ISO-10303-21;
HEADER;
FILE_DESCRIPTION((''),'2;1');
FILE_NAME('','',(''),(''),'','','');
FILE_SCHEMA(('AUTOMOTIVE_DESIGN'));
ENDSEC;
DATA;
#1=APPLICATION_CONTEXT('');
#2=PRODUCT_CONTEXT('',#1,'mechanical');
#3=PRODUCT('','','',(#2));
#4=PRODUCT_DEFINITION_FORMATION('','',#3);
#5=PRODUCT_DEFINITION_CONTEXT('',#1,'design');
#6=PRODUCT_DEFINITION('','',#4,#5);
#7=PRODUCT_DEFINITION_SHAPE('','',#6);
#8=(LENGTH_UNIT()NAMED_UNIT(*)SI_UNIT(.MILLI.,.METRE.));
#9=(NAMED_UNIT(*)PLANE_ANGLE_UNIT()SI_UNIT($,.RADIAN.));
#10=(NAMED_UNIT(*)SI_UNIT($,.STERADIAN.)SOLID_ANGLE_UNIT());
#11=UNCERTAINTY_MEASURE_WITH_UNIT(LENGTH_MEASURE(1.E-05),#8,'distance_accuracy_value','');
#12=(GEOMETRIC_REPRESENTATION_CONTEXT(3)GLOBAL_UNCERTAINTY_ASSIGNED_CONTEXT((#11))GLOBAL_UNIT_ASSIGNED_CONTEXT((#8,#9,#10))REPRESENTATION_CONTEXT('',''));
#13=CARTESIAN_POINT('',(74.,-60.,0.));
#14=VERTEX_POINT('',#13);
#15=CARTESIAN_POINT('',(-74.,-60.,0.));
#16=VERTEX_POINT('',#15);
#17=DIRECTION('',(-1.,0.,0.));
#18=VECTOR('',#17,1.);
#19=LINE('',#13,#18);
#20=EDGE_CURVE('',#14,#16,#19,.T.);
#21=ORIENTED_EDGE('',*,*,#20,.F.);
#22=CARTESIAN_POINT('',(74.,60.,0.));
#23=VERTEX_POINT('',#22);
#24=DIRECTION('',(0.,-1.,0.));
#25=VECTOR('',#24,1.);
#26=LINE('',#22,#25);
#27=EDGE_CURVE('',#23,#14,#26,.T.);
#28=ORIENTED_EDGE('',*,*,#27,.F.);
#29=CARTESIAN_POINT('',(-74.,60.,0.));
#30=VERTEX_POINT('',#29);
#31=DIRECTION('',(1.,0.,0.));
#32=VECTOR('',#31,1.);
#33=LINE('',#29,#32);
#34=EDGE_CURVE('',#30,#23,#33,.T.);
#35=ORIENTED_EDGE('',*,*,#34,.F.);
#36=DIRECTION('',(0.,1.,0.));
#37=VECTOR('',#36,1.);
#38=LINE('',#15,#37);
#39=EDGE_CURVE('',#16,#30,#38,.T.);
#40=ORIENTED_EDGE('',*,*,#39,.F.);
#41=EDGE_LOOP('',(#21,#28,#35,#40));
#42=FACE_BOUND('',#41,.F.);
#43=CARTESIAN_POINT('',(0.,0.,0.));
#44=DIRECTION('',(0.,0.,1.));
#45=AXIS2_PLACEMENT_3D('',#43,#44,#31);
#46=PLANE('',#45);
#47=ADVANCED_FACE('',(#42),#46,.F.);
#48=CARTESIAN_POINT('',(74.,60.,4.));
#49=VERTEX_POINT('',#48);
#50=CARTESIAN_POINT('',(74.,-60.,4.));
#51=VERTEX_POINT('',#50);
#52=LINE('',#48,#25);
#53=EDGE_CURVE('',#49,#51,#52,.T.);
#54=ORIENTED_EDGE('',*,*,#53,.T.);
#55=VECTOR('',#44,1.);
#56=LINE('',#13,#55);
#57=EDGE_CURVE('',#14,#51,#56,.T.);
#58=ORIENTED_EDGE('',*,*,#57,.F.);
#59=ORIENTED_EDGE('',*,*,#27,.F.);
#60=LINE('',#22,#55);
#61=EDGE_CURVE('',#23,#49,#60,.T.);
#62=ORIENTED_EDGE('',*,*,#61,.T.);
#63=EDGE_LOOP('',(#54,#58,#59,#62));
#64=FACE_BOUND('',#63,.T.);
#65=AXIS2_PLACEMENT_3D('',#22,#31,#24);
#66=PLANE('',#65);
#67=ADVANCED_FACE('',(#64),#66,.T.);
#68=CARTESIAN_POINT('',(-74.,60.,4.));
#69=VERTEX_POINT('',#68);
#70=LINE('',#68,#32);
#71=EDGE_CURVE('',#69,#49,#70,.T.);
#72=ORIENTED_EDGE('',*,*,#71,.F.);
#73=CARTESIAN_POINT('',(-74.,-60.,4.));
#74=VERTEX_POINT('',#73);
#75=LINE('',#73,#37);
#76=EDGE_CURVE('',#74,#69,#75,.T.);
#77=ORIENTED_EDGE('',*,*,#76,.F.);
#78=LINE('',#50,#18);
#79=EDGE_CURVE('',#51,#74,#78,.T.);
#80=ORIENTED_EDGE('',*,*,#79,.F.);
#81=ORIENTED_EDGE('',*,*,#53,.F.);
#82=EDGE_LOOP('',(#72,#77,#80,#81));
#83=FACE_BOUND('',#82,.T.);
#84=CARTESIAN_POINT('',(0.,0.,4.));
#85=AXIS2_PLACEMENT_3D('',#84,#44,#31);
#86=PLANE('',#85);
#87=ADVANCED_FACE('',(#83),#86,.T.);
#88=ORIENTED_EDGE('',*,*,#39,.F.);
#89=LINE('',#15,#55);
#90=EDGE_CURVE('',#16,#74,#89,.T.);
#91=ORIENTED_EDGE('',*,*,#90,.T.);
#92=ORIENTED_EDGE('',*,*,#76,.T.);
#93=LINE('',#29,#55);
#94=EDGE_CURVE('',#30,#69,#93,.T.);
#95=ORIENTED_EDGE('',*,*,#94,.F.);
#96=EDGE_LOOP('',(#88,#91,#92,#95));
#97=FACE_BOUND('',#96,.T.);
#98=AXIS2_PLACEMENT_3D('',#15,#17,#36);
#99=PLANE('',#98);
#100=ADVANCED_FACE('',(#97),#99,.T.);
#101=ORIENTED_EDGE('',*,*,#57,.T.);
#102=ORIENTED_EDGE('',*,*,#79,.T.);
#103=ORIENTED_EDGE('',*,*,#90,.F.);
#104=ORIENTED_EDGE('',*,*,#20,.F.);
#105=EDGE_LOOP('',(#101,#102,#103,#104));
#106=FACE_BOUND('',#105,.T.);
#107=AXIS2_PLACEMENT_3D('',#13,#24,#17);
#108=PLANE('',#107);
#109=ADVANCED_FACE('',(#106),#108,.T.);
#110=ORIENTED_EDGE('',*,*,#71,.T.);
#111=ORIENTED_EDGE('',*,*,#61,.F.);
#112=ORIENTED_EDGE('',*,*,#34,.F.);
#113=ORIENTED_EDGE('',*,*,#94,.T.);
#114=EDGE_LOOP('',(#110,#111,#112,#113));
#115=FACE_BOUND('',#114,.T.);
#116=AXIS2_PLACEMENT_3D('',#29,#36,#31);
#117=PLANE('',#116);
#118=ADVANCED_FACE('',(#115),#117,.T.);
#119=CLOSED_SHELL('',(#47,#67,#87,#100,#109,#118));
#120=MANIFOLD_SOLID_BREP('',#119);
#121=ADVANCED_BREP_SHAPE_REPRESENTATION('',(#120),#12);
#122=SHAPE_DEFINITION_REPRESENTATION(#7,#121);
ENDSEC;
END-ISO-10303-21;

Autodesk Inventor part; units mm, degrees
ref_plane "YZ Plane" through (0, 0, 0) normal (1, 0, 0) x (0, 1, 0)
ref_plane "XZ Plane" through (0, 0, 0) normal (0, 1, 0) x (-1, 0, 0)
ref_plane "XY Plane" through (0, 0, 0) normal (0, 0, 1) x (1, 0, 0)
sketch "Esquisse1" plane through (0, 0, 0) normal (0, 0, 1) x (1, 0, 0)
  line L0 (-74, 60) -> (74, 60)
  line L1 (74, 60) -> (74, -60)
  line L2 (74, -60) -> (-74, -60)
  line L3 (-74, -60) -> (-74, 60)
  point P0 (0, 0)
  dimension "d0" = 148
  dimension "d1" = 120
  dimension "d2" = 74
  dimension "d3" = 60
extrude "Extrusion1" add sketch "Esquisse1" along normal blind 4
properties part number "Couvercle_support_batterie"
